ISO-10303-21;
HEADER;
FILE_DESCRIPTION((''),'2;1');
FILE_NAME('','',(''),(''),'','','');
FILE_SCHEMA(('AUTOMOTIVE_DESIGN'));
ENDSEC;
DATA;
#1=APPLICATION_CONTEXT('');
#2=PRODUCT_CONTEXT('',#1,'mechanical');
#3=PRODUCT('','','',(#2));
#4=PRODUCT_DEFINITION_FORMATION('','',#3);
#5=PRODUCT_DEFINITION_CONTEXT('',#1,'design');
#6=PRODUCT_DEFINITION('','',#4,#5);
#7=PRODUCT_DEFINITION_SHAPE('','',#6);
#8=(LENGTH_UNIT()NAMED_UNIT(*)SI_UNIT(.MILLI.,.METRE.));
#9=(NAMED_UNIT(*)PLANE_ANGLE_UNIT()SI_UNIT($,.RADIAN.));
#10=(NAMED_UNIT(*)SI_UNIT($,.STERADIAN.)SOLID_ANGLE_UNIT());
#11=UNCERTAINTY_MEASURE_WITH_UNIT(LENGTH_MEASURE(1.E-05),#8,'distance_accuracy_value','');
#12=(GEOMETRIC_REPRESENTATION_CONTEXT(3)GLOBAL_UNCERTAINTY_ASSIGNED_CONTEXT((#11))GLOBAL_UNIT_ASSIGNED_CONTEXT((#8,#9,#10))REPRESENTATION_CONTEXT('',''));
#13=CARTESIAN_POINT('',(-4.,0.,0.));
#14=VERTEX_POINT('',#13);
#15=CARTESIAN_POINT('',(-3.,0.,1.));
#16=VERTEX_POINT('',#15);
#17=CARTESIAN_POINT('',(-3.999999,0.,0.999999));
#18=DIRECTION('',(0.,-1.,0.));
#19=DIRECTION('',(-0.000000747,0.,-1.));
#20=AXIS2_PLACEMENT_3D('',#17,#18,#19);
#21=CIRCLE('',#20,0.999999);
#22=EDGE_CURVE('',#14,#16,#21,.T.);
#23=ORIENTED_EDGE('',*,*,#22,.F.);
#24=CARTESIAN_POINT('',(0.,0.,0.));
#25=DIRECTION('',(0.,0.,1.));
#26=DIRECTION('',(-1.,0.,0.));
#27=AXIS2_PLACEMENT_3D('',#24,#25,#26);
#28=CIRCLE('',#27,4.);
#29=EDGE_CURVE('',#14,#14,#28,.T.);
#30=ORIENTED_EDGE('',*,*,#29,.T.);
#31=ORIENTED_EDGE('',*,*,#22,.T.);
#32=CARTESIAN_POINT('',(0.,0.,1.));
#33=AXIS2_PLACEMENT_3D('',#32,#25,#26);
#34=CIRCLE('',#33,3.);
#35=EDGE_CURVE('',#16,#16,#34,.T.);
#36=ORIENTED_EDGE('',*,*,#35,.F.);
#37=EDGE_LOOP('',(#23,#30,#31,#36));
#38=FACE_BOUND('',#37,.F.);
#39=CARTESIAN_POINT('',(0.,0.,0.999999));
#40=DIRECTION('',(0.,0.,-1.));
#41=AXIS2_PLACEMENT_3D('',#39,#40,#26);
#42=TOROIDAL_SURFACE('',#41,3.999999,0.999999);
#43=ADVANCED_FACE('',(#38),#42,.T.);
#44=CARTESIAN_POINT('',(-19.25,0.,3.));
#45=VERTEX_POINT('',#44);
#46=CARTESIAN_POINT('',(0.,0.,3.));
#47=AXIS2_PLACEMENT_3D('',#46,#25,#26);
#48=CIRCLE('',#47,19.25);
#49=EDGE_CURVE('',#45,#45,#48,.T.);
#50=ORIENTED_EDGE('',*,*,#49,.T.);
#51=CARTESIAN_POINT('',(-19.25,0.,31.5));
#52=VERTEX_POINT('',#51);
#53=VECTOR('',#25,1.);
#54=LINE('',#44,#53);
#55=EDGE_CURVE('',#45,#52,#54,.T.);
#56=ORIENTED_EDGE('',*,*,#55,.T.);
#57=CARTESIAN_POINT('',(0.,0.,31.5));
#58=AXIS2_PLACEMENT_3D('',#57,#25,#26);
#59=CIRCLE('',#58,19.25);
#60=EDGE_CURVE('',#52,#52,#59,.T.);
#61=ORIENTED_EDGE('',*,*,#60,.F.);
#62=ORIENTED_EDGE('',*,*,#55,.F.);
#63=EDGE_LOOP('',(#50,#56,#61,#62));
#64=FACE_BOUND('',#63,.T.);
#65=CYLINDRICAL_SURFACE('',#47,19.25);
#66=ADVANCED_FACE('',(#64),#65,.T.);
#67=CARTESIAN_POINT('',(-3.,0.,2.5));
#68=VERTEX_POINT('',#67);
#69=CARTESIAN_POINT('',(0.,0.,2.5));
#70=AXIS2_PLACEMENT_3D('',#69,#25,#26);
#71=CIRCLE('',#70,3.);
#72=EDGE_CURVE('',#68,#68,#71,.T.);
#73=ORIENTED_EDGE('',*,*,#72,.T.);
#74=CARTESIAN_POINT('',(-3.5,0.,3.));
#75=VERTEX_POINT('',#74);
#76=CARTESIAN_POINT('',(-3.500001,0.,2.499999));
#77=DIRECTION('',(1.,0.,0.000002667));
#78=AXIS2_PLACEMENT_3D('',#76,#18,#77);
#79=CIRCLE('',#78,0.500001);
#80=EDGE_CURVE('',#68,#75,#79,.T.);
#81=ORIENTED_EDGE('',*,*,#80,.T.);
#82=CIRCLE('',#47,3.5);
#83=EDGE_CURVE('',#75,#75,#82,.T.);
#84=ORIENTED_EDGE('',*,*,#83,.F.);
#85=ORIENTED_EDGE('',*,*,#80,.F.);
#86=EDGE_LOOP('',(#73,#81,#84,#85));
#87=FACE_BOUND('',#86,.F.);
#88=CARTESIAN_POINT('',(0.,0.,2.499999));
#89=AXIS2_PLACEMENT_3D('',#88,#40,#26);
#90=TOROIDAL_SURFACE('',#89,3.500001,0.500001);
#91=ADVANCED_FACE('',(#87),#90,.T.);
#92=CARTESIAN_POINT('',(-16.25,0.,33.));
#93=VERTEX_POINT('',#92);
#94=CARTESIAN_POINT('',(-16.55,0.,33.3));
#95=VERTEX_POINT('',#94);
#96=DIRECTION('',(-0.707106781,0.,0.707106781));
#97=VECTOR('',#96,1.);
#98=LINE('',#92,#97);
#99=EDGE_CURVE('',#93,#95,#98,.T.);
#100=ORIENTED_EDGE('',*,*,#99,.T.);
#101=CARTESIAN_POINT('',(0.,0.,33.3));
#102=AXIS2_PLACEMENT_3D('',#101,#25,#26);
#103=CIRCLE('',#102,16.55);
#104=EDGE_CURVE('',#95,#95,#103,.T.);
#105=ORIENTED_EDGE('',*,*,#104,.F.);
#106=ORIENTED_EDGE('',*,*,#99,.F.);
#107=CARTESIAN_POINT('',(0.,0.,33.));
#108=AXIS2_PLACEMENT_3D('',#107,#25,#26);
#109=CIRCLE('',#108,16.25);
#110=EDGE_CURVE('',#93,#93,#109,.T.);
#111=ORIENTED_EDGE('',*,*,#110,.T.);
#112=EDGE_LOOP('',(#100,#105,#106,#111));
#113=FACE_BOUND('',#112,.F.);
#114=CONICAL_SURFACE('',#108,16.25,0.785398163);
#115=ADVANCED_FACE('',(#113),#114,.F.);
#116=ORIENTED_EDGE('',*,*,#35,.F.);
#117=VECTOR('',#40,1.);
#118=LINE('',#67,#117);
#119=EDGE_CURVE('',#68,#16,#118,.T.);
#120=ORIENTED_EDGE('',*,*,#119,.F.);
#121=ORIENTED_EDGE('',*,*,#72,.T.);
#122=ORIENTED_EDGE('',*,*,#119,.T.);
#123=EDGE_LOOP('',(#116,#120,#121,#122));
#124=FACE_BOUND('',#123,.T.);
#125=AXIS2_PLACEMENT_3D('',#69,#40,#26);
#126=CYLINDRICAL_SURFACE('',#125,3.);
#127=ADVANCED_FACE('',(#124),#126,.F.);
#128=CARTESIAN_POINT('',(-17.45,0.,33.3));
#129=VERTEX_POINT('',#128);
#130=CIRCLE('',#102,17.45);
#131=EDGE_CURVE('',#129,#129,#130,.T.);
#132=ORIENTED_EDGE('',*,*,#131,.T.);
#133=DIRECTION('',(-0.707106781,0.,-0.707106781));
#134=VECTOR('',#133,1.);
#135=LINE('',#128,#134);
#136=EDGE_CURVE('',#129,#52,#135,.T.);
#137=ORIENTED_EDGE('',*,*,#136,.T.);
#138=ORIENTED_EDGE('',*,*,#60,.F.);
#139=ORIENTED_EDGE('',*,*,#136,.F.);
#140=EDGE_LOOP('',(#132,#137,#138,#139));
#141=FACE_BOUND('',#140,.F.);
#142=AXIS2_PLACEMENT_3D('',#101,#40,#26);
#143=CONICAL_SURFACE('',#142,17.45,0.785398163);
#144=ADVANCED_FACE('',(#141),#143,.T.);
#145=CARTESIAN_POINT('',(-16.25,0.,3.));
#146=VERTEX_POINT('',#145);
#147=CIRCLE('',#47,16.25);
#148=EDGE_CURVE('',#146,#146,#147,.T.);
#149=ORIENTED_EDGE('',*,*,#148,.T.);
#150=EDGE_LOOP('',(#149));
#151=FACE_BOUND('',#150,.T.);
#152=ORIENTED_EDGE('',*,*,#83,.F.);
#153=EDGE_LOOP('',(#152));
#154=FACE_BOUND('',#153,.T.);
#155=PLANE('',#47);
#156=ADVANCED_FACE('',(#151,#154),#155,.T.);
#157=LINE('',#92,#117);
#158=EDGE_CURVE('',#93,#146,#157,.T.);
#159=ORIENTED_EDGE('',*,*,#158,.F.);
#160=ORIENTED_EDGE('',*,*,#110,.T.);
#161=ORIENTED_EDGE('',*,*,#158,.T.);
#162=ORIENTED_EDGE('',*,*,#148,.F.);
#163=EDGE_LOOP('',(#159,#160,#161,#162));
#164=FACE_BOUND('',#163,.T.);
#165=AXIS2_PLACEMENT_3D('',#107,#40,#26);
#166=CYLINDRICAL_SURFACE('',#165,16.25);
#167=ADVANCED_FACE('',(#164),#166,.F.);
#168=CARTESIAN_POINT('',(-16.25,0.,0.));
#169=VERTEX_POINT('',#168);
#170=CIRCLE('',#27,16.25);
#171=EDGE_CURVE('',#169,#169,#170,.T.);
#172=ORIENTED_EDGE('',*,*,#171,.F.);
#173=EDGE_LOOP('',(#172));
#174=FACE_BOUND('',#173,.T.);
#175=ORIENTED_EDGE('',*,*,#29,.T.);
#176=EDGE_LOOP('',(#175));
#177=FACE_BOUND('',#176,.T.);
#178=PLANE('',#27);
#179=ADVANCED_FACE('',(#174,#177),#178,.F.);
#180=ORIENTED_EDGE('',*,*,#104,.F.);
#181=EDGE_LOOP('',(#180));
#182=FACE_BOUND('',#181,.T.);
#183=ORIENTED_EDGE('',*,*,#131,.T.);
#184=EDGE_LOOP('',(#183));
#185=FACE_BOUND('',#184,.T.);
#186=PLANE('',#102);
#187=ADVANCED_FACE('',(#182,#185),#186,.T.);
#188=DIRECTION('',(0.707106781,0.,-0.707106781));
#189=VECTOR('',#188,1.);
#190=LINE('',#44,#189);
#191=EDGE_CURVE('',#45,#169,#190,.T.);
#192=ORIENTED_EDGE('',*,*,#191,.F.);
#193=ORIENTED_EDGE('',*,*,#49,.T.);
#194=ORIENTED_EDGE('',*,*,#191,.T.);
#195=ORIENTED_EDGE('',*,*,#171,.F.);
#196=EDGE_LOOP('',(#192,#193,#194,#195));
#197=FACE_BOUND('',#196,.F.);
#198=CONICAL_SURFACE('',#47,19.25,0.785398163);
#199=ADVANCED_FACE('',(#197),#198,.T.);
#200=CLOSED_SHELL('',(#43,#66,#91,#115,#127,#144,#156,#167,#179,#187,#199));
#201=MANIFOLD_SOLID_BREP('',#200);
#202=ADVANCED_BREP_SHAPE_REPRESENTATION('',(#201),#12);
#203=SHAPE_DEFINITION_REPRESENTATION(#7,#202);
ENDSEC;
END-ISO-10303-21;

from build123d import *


with BuildPart() as part:
    # Sketch → Revolution (revolve)
    with BuildSketch(Plane.XZ):
        with BuildLine():
            Line((-16.25, 33), (-16.25, 3))
            Line((-16.25, 3), (-3.5, 3))
            ThreePointArc((-3, 2.5), (-3.146447, 2.853553), (-3.5, 3))
            Line((-3, 2.5), (-3, 1))
            ThreePointArc((-4, 0), (-3.292893, 0.292893), (-3, 1))
            Line((-4, 0), (-16.25, 0))
            Line((-19.25, 3), (-16.25, 0))
            Line((-19.25, 3), (-19.25, 31.5))
            Line((-17.45, 33.3), (-19.25, 31.5))
            Line((-17.45, 33.3), (-16.55, 33.3))
            Line((-16.25, 33), (-16.55, 33.3))
        make_face()
    revolve(axis=Axis((0, 0, 0), (0, 0, 1)))


solid = part.part
